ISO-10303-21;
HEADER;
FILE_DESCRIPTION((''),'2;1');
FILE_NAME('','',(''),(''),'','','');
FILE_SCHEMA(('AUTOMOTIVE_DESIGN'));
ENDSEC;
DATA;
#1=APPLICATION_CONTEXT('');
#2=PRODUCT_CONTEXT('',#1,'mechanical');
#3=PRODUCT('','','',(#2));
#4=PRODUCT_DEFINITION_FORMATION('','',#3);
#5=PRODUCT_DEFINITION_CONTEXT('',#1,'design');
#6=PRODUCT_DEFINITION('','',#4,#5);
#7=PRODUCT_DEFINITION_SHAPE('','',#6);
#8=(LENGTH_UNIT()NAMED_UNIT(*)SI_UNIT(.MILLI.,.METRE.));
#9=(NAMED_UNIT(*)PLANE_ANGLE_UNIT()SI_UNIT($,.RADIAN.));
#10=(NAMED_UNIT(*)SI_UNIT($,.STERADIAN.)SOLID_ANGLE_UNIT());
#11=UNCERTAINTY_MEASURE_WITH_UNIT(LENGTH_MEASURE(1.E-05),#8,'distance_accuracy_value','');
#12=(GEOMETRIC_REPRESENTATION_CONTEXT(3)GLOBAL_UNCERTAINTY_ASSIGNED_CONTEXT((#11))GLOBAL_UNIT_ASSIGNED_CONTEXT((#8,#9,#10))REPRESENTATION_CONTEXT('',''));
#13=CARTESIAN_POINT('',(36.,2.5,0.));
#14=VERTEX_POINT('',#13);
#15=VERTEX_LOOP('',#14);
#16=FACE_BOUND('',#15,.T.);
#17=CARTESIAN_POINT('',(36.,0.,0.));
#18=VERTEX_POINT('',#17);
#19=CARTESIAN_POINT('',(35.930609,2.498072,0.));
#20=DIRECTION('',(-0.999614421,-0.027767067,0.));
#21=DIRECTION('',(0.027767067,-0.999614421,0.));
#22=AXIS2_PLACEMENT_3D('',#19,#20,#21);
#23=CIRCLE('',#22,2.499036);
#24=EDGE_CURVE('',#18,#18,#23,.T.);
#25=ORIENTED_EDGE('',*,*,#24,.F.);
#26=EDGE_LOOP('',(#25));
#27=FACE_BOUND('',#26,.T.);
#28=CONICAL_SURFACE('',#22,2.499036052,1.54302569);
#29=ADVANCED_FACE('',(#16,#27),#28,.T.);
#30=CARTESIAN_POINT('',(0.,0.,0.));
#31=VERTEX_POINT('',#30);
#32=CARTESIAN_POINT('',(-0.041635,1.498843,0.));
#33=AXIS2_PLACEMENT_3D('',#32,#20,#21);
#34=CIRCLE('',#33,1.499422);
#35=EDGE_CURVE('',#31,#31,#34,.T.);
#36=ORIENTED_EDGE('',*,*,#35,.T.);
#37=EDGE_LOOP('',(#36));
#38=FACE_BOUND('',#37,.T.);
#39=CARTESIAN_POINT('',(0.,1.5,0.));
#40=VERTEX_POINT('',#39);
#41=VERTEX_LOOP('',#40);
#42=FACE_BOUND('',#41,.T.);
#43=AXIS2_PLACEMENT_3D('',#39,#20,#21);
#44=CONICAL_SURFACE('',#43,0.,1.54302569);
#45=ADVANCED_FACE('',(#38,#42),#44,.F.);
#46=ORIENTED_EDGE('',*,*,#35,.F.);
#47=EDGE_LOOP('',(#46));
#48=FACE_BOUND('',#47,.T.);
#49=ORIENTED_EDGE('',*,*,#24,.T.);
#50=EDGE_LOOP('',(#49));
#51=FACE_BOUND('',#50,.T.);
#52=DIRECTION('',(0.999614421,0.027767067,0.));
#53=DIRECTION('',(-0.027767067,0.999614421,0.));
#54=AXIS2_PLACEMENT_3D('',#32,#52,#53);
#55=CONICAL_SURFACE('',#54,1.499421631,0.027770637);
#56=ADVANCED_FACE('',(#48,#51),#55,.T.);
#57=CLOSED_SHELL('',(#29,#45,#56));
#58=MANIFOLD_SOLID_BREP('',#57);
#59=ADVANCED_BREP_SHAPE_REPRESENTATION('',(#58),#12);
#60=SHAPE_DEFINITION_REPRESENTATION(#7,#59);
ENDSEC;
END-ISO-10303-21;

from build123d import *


with BuildPart() as part:
    # Sketch1 → Revolve1 (revolve)
    with BuildSketch(Plane.XY):
        Polygon((0, 0), (36, 0), (36, 2.5), (0, 1.5), align=None)
    revolve(axis=Axis((0, 1.5, 0), (0.9996144206527183, 0.02776706724035329, 0)))


solid = part.part
